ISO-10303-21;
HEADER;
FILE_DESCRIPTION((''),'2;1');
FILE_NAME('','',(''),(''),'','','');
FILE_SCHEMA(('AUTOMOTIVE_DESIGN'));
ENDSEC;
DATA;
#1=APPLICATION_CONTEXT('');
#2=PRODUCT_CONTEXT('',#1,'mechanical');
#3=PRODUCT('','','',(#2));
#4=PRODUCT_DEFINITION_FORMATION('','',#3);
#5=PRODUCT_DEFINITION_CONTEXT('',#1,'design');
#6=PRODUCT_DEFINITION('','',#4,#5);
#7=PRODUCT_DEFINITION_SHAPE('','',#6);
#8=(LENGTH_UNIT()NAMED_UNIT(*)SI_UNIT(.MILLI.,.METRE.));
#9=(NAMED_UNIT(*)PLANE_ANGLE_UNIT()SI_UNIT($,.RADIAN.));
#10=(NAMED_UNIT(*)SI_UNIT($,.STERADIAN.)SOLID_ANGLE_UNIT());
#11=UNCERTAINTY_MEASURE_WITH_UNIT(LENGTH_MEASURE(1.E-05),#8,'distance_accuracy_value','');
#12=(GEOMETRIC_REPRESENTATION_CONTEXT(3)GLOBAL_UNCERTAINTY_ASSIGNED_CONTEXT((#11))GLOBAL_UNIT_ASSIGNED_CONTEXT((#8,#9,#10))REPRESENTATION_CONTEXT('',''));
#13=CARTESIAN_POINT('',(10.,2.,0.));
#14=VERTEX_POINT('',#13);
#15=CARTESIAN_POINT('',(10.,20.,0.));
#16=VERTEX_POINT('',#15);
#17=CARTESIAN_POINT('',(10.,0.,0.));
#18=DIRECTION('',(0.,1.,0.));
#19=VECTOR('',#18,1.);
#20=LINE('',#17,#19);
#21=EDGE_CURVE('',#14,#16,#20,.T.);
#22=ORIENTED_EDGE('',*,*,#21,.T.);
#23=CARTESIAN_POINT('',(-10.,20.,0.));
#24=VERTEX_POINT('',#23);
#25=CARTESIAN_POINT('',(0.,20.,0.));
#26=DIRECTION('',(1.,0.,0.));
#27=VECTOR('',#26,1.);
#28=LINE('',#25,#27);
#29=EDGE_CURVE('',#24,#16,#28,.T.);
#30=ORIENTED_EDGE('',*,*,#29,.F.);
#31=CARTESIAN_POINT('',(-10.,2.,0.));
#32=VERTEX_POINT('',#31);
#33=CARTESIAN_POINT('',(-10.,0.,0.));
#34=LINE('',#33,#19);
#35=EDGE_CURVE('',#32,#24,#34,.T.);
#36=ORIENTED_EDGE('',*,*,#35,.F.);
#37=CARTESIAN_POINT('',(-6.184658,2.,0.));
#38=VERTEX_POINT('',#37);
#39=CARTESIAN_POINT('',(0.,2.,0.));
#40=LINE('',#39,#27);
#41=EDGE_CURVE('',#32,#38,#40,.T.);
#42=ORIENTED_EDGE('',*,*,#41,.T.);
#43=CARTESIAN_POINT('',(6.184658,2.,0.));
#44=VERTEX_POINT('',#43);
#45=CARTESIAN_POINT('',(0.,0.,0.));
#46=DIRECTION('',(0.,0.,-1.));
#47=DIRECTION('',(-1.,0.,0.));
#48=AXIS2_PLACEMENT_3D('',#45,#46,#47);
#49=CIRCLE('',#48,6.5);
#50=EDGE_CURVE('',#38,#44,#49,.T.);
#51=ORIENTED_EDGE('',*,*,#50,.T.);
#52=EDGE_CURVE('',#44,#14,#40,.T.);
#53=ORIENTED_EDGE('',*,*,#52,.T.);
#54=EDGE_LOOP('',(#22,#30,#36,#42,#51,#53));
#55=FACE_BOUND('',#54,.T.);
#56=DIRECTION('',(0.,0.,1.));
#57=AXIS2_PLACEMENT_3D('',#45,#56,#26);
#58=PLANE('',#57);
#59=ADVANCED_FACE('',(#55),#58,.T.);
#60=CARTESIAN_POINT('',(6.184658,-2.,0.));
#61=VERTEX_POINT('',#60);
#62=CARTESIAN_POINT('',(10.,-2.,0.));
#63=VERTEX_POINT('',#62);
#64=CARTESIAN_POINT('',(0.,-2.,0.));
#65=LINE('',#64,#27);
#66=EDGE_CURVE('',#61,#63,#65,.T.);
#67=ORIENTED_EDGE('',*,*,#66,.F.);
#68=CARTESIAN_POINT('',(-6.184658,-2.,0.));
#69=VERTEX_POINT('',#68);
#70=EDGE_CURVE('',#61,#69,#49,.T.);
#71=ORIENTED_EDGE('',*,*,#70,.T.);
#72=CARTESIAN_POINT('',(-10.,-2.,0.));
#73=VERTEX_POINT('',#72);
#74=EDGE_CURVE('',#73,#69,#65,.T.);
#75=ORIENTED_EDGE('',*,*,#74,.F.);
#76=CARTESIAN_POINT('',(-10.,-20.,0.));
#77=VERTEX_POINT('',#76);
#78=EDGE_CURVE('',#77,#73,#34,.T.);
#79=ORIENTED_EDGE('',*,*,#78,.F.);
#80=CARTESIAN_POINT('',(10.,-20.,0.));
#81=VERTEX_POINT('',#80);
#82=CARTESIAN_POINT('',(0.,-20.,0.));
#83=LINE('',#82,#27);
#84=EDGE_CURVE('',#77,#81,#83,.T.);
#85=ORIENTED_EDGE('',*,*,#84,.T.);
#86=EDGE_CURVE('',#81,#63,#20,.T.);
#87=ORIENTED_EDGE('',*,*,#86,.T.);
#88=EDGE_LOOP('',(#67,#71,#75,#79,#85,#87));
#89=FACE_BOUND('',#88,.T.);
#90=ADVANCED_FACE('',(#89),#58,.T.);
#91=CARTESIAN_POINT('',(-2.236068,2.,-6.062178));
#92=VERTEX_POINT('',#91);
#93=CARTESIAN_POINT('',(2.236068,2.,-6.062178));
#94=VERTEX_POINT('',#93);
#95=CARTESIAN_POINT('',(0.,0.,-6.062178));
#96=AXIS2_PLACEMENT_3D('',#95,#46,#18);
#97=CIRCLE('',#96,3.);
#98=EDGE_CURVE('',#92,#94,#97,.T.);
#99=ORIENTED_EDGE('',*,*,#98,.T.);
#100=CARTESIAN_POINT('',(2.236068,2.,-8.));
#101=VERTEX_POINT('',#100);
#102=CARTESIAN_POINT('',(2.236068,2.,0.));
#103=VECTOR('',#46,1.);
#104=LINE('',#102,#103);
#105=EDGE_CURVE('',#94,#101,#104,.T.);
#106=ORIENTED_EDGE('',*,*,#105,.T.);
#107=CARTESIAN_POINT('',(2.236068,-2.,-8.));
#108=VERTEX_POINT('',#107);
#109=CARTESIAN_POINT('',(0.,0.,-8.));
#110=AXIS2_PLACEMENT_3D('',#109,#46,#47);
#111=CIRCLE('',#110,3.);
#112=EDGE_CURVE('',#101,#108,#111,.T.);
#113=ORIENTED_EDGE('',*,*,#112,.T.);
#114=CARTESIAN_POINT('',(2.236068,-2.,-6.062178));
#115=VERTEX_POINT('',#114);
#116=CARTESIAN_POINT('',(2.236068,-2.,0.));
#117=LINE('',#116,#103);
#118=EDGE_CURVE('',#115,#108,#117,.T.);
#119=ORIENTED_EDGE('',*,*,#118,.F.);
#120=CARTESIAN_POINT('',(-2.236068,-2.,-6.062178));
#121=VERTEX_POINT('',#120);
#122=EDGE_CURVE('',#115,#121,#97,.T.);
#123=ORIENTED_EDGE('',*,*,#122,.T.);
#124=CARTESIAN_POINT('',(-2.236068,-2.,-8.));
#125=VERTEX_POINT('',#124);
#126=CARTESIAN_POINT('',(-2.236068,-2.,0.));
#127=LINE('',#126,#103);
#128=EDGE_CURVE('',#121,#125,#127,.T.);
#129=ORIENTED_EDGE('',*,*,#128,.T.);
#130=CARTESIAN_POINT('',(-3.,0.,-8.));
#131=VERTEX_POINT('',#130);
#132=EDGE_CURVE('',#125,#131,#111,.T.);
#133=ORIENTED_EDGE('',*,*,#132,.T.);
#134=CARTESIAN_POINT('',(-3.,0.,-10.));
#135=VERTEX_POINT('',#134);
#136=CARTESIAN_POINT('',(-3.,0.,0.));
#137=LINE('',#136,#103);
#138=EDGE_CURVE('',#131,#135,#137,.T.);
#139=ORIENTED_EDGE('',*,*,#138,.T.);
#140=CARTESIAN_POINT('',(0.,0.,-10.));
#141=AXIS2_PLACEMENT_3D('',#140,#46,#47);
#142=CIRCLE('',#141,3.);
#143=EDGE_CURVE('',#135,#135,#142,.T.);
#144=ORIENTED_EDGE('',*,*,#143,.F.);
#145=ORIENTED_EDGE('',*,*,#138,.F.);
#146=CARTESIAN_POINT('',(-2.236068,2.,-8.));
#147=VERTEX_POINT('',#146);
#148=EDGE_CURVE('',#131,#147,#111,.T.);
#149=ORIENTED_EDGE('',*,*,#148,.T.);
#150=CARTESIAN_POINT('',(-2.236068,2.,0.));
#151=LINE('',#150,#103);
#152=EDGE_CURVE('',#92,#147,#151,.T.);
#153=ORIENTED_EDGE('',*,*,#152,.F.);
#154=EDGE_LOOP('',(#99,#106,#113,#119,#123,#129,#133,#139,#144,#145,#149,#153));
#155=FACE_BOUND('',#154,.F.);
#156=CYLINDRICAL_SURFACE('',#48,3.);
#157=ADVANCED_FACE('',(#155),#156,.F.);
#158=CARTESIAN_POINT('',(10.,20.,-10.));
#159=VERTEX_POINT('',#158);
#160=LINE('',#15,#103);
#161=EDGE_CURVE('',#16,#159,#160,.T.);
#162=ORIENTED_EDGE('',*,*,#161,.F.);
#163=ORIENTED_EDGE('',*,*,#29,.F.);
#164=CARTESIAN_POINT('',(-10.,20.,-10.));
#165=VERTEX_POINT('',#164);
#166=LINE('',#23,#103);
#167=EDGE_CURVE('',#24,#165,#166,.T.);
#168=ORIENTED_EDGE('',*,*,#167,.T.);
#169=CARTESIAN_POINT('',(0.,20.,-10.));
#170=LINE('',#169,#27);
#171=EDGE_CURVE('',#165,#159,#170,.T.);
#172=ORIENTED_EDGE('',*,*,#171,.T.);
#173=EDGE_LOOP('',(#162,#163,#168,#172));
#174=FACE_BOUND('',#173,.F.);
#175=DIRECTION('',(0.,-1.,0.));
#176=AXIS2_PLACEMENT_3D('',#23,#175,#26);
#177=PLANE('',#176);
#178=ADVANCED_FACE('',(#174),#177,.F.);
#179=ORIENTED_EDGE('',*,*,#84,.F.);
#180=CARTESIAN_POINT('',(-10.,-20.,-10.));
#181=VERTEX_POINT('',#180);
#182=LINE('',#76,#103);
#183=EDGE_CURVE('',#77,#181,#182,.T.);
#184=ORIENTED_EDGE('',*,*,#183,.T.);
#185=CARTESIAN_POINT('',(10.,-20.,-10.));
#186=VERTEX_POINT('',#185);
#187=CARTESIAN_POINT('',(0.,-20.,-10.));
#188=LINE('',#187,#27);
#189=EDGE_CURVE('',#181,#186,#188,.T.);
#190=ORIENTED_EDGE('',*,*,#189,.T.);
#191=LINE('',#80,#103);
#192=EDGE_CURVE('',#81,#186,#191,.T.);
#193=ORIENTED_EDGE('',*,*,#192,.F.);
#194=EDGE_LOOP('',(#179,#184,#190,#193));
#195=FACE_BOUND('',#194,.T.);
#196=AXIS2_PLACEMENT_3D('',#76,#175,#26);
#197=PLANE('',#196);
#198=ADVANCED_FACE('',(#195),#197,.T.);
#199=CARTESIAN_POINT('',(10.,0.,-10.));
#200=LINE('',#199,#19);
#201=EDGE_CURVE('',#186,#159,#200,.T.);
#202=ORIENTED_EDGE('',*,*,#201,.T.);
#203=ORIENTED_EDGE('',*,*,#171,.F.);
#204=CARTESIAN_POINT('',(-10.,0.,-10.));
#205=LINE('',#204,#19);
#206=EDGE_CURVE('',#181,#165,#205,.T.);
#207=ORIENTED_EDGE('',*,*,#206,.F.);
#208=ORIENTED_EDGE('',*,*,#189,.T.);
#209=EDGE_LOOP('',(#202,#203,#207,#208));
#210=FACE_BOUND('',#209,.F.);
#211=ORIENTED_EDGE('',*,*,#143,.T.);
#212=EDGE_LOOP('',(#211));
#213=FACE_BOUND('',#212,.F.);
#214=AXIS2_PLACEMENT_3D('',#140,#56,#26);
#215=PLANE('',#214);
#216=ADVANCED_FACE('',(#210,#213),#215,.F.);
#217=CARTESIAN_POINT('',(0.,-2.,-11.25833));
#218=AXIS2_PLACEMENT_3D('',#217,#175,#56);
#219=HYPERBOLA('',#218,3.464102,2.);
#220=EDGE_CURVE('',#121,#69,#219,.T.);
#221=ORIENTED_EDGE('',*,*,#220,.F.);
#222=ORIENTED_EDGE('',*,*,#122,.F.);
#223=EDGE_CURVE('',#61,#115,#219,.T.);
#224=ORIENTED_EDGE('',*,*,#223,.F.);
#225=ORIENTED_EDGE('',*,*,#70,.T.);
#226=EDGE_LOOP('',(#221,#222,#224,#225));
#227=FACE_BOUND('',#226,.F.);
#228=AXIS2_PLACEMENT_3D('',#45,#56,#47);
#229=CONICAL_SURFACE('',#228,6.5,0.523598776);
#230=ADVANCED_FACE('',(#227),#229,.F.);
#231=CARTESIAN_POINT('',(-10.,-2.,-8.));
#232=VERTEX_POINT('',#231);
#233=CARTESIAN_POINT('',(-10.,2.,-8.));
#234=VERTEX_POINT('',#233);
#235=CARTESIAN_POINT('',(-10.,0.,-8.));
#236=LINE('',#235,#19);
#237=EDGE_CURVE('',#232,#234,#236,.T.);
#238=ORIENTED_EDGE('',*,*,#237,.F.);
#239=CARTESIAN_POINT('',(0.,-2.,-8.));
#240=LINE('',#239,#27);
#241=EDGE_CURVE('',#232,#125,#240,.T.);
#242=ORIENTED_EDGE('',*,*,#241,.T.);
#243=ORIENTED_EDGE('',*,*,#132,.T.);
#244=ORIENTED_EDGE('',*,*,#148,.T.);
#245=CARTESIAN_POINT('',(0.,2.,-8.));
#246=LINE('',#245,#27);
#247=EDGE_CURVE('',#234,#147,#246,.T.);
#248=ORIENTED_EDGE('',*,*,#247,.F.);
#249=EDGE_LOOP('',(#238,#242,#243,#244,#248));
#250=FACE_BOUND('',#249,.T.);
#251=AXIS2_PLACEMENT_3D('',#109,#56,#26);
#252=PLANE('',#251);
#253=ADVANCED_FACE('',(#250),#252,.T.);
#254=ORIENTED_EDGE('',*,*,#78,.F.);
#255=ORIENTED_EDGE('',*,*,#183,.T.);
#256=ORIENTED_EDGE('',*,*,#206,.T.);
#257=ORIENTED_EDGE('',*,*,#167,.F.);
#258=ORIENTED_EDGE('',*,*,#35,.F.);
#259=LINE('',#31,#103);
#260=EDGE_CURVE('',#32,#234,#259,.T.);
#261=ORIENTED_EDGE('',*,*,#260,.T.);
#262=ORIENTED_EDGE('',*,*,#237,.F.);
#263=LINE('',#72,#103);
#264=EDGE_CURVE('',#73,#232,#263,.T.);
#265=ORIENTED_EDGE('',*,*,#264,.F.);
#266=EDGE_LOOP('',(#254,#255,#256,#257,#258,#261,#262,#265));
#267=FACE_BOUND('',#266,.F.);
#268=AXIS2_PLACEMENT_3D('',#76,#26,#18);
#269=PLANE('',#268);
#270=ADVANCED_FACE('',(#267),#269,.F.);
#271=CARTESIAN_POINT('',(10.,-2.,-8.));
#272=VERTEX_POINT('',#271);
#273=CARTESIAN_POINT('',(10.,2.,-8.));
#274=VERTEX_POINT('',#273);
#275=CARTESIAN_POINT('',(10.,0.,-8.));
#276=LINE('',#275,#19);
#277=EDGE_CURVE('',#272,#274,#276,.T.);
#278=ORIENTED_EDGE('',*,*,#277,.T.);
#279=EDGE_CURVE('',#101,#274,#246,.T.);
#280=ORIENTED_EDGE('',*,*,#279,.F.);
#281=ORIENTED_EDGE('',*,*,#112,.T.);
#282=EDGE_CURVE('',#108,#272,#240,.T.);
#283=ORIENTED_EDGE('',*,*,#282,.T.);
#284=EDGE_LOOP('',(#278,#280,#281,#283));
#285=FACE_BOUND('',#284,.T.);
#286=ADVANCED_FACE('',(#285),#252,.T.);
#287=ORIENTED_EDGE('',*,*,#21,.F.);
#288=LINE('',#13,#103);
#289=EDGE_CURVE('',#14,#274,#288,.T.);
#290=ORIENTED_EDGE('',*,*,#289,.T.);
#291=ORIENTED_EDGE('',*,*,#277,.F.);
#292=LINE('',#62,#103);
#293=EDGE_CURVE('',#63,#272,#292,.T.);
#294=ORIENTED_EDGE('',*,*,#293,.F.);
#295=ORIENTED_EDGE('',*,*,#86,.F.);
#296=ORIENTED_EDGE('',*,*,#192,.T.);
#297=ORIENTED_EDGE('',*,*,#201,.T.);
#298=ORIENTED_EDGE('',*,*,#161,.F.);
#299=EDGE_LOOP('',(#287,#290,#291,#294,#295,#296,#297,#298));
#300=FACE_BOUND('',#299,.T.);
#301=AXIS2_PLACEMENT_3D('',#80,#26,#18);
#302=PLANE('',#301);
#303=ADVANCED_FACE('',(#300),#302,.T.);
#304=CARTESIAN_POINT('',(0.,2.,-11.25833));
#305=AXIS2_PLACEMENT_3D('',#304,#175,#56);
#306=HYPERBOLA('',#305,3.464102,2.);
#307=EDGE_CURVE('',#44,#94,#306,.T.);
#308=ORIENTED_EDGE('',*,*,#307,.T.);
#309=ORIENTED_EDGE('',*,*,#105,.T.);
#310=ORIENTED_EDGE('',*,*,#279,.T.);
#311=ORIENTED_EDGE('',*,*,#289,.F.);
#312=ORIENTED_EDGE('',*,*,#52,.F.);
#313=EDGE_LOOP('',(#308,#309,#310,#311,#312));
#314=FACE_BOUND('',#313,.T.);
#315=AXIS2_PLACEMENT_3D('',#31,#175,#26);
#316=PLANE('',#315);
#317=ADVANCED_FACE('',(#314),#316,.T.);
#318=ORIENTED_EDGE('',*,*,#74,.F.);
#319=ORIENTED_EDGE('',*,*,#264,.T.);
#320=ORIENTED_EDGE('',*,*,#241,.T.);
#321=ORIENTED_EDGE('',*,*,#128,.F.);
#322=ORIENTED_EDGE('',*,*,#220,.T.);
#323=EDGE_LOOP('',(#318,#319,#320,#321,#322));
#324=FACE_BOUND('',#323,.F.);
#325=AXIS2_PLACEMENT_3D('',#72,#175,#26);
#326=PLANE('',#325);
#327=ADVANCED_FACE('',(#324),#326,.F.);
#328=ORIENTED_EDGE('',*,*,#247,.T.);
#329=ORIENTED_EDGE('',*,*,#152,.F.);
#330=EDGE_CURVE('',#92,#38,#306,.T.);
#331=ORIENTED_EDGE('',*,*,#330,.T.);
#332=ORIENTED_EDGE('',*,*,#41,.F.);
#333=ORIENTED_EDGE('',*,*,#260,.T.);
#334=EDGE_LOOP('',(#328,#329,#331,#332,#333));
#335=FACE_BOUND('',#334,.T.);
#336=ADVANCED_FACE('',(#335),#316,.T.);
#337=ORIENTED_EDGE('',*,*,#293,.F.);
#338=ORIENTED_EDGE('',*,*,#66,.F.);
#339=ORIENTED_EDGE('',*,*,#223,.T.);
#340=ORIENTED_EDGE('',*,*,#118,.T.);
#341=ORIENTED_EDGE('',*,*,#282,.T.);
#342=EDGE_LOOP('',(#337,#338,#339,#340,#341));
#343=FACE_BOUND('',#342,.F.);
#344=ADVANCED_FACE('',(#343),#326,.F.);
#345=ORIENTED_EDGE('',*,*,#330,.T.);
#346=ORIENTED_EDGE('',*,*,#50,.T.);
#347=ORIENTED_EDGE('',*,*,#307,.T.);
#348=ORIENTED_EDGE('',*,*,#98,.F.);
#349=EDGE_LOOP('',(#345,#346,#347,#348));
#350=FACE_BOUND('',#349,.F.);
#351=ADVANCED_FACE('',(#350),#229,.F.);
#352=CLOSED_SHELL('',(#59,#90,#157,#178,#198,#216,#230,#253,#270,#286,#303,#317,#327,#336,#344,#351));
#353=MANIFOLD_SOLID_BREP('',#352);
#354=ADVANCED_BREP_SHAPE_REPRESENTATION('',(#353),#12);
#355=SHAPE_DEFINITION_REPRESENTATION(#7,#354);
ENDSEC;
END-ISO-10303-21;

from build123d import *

# Parameters (mm, degrees)
SKETCH_W         = 20
SKETCH_H         = 40
PAD_DEPTH        = 10
HOLE_D           = 6
HOLE_CSINK_D     = 13
HOLE_CSINK_ANGLE = 60
SKETCH002_W      = 20
SKETCH002_H      = 4
POCKET_DEPTH     = 8


with BuildPart() as part:
    # Sketch → Pad (new body)
    with BuildSketch(Plane.XY):
        Rectangle(SKETCH_W, SKETCH_H)
    extrude(amount=-PAD_DEPTH)

    # Hole (through all)
    with Locations(Plane.XY):
        with Locations((0, 0)):
            CounterSinkHole(HOLE_D / 2, HOLE_CSINK_D / 2, counter_sink_angle=HOLE_CSINK_ANGLE)

    # Sketch002 (on Face4 of Hole) → Pocket (cut)
    with BuildSketch(Plane.XY):
        Rectangle(SKETCH002_W, SKETCH002_H)
    extrude(amount=-POCKET_DEPTH, mode=Mode.SUBTRACT)


solid = part.part
